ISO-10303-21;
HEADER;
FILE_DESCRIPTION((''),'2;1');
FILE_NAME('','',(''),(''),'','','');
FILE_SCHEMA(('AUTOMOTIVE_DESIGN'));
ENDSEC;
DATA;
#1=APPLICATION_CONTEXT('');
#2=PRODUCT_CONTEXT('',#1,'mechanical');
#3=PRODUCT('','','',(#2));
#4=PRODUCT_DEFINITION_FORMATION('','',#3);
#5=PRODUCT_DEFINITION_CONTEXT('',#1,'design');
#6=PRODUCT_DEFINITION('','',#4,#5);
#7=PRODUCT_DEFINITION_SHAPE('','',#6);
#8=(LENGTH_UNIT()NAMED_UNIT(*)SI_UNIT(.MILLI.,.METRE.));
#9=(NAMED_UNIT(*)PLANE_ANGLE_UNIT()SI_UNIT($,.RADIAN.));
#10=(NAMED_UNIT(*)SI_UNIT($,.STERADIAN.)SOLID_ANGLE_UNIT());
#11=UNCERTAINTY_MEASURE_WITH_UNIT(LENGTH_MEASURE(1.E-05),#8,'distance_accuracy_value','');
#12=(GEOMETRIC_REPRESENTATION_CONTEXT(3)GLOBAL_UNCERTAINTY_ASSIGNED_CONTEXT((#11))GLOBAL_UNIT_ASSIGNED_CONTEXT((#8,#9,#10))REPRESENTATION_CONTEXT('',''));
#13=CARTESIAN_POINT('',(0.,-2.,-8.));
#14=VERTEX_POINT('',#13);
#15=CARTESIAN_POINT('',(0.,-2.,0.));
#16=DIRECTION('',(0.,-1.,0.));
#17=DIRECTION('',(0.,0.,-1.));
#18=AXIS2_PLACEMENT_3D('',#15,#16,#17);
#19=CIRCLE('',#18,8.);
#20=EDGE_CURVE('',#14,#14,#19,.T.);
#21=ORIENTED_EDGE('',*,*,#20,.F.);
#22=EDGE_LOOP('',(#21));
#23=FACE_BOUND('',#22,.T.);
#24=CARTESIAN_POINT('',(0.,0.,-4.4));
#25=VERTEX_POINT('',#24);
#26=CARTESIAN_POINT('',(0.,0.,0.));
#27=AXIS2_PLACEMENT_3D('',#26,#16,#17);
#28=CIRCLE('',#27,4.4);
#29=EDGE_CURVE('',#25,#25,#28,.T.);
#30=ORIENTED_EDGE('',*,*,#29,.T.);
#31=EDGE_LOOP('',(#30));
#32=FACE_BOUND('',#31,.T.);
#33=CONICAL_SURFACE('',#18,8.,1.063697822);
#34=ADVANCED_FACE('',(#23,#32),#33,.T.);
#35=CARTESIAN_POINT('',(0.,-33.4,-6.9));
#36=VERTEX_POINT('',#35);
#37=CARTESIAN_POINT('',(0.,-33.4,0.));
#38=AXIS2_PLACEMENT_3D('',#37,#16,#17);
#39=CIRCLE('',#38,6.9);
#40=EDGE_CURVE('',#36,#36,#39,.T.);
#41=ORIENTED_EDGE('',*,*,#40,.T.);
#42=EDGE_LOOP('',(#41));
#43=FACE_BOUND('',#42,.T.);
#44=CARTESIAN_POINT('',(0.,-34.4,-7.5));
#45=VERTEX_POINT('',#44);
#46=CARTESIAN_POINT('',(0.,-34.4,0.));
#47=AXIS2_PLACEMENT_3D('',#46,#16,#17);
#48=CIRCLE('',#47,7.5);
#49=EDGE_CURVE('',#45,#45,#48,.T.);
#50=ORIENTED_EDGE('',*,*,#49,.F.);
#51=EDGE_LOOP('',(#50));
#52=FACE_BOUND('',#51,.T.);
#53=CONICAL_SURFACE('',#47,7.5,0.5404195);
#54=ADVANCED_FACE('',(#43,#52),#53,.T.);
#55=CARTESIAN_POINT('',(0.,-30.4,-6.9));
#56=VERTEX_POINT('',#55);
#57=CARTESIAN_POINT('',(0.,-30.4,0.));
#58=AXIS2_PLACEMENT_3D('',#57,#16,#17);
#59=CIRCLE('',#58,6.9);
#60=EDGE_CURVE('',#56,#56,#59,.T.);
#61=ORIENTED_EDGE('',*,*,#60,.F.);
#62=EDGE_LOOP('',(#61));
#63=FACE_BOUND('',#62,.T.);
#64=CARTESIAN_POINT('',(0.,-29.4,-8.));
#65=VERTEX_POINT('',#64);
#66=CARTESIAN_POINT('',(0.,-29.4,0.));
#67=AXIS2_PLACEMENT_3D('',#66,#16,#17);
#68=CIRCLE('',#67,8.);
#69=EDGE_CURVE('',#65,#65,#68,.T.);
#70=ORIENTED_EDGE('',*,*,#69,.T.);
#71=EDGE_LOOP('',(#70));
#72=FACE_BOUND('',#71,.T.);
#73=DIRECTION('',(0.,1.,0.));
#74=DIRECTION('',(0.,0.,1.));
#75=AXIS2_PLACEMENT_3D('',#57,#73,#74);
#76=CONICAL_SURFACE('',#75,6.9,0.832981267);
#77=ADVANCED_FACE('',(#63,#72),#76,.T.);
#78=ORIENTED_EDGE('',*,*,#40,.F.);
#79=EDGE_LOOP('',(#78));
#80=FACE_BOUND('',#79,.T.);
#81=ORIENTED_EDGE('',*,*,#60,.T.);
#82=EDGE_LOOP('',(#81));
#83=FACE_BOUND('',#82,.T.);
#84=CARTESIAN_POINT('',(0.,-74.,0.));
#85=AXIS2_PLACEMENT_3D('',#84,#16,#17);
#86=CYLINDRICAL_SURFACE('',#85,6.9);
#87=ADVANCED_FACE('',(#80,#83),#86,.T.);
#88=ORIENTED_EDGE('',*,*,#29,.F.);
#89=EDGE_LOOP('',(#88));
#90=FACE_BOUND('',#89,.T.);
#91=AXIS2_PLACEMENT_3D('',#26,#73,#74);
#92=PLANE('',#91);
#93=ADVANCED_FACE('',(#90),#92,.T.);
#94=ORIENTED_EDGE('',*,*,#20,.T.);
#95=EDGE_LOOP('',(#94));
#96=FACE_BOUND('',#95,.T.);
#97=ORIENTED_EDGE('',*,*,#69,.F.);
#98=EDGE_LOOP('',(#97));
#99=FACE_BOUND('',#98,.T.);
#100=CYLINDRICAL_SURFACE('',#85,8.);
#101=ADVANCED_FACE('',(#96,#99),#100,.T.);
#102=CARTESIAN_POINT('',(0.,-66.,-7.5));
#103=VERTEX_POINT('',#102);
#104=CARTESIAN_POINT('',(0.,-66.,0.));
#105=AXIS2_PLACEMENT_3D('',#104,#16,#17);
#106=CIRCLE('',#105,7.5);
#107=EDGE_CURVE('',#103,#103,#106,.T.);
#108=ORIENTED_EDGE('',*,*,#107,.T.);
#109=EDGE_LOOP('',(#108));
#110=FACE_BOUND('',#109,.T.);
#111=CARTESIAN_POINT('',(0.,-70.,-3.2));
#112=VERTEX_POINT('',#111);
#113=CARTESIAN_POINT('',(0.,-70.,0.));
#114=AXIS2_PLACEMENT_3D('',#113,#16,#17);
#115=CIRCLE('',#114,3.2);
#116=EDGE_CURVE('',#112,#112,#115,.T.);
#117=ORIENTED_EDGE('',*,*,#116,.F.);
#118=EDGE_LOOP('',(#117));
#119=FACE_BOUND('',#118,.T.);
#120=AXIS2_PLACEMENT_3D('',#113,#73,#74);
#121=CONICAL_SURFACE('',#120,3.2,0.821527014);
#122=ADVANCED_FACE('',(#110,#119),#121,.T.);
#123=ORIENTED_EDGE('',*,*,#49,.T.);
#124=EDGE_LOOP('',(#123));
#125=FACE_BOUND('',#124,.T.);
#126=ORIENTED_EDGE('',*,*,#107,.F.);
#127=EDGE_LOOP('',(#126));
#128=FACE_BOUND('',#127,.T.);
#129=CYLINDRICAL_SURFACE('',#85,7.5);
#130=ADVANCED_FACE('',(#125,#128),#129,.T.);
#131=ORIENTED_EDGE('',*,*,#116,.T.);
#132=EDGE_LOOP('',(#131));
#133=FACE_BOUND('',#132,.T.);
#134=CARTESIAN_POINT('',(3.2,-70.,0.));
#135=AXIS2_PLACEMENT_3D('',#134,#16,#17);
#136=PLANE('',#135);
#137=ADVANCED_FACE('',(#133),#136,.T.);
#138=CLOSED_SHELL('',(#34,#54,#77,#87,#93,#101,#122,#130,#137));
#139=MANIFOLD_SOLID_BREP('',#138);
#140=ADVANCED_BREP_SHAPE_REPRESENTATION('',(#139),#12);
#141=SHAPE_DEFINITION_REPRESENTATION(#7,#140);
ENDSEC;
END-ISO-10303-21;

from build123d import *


with BuildPart() as part:
    # Sketch1 → Motor_reductora_husillo (revolve)
    with BuildSketch(Plane.XY, mode=Mode.PRIVATE) as motor_reductora_husillo_sk:
        Polygon((0, 0), (4.4, 0), (8, -2), (8, -29.4), (6.9, -30.4), (6.9, -33.4), (7.5, -34.4), (7.5, -66), (3.2, -70), (0, -70), align=None)
    revolve(motor_reductora_husillo_sk.sketch.rotate(Axis((0, -74, 0), (0, 1, 0)), 90), axis=Axis((0, -74, 0), (0, 1, 0)))


solid = part.part
